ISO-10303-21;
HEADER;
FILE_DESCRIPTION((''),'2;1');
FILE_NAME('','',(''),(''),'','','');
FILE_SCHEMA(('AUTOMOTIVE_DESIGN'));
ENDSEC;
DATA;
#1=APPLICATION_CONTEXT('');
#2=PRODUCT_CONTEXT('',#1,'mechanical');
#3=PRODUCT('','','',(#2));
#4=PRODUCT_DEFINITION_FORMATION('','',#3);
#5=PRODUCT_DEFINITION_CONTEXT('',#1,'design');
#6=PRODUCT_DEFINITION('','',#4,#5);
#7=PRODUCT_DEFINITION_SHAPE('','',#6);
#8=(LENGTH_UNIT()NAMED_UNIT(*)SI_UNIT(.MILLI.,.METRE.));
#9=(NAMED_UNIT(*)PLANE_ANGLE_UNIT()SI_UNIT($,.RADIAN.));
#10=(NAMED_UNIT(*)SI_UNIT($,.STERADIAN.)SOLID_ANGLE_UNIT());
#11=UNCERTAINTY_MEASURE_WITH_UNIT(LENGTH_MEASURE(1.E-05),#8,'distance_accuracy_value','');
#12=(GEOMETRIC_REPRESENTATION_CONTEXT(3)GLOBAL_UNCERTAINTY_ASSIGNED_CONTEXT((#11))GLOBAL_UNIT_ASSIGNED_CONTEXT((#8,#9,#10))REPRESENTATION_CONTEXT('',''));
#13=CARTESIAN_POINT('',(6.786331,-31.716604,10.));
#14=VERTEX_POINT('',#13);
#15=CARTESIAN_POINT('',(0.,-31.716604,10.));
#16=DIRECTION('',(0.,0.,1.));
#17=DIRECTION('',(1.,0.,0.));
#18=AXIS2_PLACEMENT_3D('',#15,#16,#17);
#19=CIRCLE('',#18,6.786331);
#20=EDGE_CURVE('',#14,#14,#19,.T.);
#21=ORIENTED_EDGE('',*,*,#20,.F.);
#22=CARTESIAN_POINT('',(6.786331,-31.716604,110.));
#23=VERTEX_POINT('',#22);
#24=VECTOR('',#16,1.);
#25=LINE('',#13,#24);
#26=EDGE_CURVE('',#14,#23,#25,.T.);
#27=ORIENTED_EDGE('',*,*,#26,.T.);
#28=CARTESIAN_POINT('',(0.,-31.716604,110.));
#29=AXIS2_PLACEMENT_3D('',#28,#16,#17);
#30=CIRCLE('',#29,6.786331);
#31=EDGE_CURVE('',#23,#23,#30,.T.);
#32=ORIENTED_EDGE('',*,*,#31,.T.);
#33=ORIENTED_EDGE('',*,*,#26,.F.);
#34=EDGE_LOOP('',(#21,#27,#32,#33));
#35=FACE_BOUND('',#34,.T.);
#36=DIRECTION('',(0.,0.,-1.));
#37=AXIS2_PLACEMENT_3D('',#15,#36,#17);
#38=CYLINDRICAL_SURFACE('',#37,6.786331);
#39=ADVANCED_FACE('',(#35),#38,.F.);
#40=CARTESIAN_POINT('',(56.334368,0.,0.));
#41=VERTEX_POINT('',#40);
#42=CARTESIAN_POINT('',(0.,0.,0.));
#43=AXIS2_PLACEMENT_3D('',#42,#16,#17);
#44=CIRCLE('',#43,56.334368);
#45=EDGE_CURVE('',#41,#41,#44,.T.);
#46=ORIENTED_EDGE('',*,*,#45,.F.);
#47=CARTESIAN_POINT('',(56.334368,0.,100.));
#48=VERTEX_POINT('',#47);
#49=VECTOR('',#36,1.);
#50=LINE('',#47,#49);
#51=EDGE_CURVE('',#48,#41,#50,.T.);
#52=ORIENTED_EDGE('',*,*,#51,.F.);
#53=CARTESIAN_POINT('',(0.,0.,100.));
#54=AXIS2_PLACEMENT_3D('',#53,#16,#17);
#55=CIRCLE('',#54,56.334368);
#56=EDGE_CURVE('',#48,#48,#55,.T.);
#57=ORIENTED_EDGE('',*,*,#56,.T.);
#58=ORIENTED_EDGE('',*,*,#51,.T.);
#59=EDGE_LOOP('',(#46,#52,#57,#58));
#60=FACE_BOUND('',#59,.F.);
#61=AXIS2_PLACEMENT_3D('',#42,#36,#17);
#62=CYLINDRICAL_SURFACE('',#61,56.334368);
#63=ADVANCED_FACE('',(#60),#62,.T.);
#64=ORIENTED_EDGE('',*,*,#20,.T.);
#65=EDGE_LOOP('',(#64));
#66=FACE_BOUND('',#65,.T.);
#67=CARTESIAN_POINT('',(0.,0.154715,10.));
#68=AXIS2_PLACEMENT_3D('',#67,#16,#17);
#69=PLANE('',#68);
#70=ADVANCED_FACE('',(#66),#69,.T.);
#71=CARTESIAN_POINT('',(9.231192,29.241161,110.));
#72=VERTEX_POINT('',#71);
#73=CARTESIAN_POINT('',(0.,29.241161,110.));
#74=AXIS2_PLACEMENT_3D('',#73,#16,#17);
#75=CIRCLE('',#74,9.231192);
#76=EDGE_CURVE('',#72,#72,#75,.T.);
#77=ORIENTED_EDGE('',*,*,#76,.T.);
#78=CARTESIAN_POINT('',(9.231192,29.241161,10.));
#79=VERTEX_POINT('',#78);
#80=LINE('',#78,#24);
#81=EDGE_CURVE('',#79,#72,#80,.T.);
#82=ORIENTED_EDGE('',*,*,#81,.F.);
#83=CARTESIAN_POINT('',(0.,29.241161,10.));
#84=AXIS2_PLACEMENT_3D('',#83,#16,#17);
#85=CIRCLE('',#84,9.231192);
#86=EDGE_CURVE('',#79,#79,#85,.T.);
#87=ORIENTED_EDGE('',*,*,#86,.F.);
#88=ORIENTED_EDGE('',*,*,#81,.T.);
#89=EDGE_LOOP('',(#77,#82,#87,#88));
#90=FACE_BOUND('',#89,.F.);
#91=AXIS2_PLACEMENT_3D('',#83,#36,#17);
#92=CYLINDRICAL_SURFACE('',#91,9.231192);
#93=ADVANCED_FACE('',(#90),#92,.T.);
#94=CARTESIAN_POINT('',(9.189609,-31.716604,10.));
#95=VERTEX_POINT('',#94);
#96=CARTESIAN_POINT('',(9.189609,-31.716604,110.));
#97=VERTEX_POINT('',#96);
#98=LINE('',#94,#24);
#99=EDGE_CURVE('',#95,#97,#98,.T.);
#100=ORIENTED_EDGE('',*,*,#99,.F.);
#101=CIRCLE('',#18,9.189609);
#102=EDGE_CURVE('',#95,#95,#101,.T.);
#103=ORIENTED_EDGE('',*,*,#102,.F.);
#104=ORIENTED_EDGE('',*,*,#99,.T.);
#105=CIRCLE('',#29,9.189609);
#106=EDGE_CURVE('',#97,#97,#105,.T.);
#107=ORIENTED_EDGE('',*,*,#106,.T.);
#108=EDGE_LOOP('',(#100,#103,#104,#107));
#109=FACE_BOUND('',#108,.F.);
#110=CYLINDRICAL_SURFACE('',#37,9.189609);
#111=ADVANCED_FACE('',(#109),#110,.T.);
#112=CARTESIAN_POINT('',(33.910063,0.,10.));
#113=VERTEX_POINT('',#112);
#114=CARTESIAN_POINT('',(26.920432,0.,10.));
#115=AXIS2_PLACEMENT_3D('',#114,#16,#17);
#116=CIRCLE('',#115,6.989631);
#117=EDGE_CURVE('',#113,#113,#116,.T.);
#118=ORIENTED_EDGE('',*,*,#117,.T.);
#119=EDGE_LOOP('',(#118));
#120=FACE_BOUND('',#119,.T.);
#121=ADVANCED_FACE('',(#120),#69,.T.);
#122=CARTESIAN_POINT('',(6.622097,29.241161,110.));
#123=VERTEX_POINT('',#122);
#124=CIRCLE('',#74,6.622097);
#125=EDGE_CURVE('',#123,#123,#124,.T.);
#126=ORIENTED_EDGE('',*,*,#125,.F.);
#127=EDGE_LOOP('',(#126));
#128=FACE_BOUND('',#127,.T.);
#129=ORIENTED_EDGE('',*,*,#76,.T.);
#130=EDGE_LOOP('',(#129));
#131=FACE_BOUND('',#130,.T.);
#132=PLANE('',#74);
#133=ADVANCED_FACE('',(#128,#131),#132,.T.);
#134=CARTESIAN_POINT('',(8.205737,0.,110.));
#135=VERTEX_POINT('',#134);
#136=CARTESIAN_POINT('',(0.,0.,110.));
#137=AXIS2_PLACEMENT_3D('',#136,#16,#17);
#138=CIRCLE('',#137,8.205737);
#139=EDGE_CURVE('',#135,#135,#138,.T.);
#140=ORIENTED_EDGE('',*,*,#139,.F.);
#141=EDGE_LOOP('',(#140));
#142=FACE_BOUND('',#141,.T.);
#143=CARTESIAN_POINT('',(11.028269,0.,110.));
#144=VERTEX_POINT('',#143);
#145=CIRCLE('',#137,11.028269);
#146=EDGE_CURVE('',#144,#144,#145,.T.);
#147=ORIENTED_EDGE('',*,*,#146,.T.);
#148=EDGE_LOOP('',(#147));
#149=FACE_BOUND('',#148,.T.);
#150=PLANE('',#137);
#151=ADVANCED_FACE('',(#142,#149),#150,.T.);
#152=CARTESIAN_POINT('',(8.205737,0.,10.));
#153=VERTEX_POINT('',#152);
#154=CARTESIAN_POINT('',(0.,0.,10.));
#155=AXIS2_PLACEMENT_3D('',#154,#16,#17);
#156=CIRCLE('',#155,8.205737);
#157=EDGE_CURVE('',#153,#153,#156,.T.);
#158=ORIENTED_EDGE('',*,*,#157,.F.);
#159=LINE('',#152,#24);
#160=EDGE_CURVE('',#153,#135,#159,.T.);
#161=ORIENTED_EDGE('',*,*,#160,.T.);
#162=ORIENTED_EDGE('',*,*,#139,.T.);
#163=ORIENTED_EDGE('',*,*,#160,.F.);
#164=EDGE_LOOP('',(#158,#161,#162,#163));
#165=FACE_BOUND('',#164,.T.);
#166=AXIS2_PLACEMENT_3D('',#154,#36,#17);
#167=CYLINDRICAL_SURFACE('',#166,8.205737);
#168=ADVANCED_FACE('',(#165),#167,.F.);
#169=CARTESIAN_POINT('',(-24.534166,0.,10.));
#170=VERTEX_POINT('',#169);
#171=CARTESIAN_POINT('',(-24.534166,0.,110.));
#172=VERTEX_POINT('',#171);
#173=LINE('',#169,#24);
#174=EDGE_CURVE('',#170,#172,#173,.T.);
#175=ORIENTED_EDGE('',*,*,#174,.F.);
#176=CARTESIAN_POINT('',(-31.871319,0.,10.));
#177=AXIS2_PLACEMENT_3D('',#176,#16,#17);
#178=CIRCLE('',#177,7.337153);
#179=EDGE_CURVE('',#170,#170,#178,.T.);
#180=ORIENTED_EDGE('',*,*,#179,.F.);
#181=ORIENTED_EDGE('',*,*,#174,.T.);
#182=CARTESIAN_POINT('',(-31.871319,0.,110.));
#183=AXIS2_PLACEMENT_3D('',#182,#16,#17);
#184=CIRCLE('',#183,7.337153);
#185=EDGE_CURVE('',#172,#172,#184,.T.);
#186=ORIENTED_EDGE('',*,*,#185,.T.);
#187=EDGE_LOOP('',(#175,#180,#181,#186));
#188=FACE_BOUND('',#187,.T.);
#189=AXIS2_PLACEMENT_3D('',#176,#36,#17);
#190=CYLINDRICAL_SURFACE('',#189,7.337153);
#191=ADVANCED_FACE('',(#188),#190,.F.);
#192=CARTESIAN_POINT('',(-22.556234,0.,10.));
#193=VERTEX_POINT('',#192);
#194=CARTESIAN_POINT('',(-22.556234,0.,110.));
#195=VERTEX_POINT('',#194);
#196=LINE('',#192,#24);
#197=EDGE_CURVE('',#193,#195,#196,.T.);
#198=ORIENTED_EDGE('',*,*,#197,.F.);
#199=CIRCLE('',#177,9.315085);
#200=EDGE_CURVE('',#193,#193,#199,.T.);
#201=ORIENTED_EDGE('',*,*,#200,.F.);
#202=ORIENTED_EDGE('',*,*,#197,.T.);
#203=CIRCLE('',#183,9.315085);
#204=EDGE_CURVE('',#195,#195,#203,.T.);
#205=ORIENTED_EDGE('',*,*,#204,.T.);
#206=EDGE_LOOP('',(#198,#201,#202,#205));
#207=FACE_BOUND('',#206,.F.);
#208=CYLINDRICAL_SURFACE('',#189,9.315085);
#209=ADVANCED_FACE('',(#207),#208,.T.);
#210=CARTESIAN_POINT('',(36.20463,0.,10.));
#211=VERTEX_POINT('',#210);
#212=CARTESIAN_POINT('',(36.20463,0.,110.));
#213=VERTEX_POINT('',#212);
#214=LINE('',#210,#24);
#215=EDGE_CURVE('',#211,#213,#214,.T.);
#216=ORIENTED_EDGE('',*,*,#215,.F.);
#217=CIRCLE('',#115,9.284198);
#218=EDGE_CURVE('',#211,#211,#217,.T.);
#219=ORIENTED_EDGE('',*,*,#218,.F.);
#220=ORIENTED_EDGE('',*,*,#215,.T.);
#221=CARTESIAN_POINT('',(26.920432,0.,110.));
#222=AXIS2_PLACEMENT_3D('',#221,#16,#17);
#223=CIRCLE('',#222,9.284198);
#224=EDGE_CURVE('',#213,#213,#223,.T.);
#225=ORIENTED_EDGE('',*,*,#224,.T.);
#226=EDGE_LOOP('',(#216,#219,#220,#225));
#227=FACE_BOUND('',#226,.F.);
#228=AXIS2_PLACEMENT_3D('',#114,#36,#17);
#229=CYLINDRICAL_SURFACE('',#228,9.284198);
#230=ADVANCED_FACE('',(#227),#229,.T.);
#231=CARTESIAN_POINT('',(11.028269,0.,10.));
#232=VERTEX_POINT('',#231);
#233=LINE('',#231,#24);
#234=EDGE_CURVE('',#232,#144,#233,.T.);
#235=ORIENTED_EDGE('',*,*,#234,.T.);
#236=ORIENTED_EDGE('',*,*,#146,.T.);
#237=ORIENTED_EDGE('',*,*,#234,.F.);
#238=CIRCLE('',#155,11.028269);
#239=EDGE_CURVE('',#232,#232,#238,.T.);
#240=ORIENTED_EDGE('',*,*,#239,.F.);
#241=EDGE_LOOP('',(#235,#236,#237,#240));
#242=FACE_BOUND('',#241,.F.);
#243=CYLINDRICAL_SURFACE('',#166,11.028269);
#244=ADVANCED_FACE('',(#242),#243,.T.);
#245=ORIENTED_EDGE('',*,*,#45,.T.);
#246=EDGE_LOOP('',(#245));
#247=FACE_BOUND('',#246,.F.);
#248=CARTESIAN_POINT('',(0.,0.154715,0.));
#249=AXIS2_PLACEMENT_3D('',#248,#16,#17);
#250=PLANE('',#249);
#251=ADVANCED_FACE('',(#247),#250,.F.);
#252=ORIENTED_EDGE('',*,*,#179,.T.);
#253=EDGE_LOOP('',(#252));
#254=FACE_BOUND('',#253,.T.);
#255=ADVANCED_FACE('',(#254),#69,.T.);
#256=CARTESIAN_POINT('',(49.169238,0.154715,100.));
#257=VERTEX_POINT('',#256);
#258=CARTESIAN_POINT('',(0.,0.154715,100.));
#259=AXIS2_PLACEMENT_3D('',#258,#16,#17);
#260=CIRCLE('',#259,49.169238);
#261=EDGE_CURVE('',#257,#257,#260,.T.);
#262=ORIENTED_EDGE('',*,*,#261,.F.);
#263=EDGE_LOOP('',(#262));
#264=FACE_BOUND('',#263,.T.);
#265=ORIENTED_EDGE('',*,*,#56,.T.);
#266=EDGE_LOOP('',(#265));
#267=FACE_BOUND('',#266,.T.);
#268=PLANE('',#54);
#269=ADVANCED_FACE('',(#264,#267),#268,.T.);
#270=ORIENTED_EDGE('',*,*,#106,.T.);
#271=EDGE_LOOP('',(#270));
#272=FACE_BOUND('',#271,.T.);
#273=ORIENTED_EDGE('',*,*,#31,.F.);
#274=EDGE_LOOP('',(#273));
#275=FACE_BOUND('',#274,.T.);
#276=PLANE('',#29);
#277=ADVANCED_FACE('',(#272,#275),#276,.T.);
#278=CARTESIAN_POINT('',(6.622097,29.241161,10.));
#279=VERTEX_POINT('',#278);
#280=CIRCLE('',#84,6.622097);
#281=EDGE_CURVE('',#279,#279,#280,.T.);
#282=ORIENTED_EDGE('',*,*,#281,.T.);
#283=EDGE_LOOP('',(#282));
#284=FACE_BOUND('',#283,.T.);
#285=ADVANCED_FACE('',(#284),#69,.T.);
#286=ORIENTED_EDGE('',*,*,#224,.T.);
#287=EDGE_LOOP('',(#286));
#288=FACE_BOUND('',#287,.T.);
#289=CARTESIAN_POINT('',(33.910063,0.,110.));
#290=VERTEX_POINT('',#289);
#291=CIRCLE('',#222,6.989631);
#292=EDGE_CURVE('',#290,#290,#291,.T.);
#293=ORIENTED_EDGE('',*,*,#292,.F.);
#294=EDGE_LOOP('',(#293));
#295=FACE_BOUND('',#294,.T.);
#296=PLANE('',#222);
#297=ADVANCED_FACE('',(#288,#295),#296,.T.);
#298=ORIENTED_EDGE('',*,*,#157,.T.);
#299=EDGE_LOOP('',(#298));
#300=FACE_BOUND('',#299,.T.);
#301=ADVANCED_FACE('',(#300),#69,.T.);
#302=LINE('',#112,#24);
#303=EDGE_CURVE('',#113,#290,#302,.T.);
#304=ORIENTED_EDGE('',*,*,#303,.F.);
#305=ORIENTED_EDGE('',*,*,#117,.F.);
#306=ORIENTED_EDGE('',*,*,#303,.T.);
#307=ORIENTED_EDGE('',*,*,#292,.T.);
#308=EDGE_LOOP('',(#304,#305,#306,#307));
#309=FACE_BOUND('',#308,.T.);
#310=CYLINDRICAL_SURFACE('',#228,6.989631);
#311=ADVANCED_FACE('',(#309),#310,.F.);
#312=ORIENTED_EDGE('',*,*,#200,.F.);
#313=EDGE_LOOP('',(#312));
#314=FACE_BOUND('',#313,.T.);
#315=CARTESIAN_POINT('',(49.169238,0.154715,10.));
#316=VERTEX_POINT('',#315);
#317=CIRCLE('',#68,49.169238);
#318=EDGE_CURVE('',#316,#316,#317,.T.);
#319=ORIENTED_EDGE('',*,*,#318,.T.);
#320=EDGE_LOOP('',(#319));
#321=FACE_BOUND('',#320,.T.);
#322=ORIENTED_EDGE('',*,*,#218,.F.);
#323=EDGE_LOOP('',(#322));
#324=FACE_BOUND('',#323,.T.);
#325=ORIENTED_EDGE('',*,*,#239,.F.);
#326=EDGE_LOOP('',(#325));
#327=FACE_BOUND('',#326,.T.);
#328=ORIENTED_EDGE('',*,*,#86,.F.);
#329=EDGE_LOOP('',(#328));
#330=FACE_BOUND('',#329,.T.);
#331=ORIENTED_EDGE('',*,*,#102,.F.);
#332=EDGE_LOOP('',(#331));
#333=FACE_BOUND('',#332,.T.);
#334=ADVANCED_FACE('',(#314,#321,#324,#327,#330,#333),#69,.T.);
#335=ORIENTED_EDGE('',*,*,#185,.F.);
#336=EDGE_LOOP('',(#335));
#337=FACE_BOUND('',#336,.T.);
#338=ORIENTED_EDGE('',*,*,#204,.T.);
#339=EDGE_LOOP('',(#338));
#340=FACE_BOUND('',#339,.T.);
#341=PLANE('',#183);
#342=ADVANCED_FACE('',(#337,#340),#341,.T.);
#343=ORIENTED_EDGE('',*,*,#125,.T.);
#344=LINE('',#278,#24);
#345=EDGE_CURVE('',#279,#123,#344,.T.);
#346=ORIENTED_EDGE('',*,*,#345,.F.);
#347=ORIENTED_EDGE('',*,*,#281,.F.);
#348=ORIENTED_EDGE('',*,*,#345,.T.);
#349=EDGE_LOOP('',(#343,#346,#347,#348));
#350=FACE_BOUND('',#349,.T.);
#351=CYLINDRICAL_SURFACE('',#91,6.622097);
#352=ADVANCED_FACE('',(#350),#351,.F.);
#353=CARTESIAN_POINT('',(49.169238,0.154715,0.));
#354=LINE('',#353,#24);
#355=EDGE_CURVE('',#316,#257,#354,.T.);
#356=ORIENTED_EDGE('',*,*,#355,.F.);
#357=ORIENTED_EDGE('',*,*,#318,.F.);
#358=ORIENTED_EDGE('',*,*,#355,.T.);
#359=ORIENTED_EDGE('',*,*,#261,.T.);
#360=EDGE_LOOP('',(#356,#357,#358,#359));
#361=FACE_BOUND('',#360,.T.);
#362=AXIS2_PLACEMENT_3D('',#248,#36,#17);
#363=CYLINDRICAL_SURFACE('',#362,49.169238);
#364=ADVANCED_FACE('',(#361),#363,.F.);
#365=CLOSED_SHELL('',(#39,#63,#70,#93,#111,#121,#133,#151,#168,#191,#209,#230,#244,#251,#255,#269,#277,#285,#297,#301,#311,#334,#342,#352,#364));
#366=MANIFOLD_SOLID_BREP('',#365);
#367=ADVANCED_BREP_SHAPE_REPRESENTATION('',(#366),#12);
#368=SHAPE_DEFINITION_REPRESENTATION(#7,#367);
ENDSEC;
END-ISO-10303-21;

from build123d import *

# Parameters (mm, degrees)
F0_R     = 56.334368
F0_R_2   = 49.169238
F1_DEPTH = 100
F3_DEPTH = 25
F4_DEPTH = 10
F5_R     = 11.028269
F5_R_2   = 8.205737
F5_R_3   = 9.231192
F5_R_4   = 6.622097
F5_R_5   = 9.284198
F5_R_6   = 6.989631
F5_R_7   = 9.315085
F5_R_8   = 7.337153
F5_R_9   = 9.189609
F5_R_10  = 6.786331
F6_DEPTH = 100


with BuildPart() as f1:
    # F0 (on Top) → F1 (new body)
    with BuildSketch(Plane.XY):
        Circle(F0_R)
        with Locations((0, 0.154715)):
            Circle(F0_R_2, mode=Mode.SUBTRACT)
    extrude(amount=F1_DEPTH)

    # F0 (on Top) → F3 (join)
    with BuildSketch(Plane.XY):
        Circle(F0_R)
        with Locations((0, 0.154715)):
            Circle(F0_R_2, mode=Mode.SUBTRACT)
    extrude(amount=F3_DEPTH)

    # F0 (on Top) → F4 (join)
    with BuildSketch(Plane.XY):
        with Locations((0, 0.154715)):
            Circle(F0_R_2)
    extrude(amount=F4_DEPTH)

    # F5 (on face) → F6 (join)
    with BuildSketch(Plane.XY.offset(10)):
        Circle(F5_R)
        Circle(F5_R_2, mode=Mode.SUBTRACT)
        with Locations((0, 29.241161)):
            Circle(F5_R_3)
        with Locations((0, 29.241161)):
            Circle(F5_R_4, mode=Mode.SUBTRACT)
        with Locations((26.920432, 0)):
            Circle(F5_R_5)
        with Locations((26.920432, 0)):
            Circle(F5_R_6, mode=Mode.SUBTRACT)
        with Locations((-31.871319, 0)):
            Circle(F5_R_7)
        with Locations((-31.871319, 0)):
            Circle(F5_R_8, mode=Mode.SUBTRACT)
        with Locations((0, -31.716604)):
            Circle(F5_R_9)
        with Locations((0, -31.716604)):
            Circle(F5_R_10, mode=Mode.SUBTRACT)
    extrude(amount=F6_DEPTH)


solid = f1.part
